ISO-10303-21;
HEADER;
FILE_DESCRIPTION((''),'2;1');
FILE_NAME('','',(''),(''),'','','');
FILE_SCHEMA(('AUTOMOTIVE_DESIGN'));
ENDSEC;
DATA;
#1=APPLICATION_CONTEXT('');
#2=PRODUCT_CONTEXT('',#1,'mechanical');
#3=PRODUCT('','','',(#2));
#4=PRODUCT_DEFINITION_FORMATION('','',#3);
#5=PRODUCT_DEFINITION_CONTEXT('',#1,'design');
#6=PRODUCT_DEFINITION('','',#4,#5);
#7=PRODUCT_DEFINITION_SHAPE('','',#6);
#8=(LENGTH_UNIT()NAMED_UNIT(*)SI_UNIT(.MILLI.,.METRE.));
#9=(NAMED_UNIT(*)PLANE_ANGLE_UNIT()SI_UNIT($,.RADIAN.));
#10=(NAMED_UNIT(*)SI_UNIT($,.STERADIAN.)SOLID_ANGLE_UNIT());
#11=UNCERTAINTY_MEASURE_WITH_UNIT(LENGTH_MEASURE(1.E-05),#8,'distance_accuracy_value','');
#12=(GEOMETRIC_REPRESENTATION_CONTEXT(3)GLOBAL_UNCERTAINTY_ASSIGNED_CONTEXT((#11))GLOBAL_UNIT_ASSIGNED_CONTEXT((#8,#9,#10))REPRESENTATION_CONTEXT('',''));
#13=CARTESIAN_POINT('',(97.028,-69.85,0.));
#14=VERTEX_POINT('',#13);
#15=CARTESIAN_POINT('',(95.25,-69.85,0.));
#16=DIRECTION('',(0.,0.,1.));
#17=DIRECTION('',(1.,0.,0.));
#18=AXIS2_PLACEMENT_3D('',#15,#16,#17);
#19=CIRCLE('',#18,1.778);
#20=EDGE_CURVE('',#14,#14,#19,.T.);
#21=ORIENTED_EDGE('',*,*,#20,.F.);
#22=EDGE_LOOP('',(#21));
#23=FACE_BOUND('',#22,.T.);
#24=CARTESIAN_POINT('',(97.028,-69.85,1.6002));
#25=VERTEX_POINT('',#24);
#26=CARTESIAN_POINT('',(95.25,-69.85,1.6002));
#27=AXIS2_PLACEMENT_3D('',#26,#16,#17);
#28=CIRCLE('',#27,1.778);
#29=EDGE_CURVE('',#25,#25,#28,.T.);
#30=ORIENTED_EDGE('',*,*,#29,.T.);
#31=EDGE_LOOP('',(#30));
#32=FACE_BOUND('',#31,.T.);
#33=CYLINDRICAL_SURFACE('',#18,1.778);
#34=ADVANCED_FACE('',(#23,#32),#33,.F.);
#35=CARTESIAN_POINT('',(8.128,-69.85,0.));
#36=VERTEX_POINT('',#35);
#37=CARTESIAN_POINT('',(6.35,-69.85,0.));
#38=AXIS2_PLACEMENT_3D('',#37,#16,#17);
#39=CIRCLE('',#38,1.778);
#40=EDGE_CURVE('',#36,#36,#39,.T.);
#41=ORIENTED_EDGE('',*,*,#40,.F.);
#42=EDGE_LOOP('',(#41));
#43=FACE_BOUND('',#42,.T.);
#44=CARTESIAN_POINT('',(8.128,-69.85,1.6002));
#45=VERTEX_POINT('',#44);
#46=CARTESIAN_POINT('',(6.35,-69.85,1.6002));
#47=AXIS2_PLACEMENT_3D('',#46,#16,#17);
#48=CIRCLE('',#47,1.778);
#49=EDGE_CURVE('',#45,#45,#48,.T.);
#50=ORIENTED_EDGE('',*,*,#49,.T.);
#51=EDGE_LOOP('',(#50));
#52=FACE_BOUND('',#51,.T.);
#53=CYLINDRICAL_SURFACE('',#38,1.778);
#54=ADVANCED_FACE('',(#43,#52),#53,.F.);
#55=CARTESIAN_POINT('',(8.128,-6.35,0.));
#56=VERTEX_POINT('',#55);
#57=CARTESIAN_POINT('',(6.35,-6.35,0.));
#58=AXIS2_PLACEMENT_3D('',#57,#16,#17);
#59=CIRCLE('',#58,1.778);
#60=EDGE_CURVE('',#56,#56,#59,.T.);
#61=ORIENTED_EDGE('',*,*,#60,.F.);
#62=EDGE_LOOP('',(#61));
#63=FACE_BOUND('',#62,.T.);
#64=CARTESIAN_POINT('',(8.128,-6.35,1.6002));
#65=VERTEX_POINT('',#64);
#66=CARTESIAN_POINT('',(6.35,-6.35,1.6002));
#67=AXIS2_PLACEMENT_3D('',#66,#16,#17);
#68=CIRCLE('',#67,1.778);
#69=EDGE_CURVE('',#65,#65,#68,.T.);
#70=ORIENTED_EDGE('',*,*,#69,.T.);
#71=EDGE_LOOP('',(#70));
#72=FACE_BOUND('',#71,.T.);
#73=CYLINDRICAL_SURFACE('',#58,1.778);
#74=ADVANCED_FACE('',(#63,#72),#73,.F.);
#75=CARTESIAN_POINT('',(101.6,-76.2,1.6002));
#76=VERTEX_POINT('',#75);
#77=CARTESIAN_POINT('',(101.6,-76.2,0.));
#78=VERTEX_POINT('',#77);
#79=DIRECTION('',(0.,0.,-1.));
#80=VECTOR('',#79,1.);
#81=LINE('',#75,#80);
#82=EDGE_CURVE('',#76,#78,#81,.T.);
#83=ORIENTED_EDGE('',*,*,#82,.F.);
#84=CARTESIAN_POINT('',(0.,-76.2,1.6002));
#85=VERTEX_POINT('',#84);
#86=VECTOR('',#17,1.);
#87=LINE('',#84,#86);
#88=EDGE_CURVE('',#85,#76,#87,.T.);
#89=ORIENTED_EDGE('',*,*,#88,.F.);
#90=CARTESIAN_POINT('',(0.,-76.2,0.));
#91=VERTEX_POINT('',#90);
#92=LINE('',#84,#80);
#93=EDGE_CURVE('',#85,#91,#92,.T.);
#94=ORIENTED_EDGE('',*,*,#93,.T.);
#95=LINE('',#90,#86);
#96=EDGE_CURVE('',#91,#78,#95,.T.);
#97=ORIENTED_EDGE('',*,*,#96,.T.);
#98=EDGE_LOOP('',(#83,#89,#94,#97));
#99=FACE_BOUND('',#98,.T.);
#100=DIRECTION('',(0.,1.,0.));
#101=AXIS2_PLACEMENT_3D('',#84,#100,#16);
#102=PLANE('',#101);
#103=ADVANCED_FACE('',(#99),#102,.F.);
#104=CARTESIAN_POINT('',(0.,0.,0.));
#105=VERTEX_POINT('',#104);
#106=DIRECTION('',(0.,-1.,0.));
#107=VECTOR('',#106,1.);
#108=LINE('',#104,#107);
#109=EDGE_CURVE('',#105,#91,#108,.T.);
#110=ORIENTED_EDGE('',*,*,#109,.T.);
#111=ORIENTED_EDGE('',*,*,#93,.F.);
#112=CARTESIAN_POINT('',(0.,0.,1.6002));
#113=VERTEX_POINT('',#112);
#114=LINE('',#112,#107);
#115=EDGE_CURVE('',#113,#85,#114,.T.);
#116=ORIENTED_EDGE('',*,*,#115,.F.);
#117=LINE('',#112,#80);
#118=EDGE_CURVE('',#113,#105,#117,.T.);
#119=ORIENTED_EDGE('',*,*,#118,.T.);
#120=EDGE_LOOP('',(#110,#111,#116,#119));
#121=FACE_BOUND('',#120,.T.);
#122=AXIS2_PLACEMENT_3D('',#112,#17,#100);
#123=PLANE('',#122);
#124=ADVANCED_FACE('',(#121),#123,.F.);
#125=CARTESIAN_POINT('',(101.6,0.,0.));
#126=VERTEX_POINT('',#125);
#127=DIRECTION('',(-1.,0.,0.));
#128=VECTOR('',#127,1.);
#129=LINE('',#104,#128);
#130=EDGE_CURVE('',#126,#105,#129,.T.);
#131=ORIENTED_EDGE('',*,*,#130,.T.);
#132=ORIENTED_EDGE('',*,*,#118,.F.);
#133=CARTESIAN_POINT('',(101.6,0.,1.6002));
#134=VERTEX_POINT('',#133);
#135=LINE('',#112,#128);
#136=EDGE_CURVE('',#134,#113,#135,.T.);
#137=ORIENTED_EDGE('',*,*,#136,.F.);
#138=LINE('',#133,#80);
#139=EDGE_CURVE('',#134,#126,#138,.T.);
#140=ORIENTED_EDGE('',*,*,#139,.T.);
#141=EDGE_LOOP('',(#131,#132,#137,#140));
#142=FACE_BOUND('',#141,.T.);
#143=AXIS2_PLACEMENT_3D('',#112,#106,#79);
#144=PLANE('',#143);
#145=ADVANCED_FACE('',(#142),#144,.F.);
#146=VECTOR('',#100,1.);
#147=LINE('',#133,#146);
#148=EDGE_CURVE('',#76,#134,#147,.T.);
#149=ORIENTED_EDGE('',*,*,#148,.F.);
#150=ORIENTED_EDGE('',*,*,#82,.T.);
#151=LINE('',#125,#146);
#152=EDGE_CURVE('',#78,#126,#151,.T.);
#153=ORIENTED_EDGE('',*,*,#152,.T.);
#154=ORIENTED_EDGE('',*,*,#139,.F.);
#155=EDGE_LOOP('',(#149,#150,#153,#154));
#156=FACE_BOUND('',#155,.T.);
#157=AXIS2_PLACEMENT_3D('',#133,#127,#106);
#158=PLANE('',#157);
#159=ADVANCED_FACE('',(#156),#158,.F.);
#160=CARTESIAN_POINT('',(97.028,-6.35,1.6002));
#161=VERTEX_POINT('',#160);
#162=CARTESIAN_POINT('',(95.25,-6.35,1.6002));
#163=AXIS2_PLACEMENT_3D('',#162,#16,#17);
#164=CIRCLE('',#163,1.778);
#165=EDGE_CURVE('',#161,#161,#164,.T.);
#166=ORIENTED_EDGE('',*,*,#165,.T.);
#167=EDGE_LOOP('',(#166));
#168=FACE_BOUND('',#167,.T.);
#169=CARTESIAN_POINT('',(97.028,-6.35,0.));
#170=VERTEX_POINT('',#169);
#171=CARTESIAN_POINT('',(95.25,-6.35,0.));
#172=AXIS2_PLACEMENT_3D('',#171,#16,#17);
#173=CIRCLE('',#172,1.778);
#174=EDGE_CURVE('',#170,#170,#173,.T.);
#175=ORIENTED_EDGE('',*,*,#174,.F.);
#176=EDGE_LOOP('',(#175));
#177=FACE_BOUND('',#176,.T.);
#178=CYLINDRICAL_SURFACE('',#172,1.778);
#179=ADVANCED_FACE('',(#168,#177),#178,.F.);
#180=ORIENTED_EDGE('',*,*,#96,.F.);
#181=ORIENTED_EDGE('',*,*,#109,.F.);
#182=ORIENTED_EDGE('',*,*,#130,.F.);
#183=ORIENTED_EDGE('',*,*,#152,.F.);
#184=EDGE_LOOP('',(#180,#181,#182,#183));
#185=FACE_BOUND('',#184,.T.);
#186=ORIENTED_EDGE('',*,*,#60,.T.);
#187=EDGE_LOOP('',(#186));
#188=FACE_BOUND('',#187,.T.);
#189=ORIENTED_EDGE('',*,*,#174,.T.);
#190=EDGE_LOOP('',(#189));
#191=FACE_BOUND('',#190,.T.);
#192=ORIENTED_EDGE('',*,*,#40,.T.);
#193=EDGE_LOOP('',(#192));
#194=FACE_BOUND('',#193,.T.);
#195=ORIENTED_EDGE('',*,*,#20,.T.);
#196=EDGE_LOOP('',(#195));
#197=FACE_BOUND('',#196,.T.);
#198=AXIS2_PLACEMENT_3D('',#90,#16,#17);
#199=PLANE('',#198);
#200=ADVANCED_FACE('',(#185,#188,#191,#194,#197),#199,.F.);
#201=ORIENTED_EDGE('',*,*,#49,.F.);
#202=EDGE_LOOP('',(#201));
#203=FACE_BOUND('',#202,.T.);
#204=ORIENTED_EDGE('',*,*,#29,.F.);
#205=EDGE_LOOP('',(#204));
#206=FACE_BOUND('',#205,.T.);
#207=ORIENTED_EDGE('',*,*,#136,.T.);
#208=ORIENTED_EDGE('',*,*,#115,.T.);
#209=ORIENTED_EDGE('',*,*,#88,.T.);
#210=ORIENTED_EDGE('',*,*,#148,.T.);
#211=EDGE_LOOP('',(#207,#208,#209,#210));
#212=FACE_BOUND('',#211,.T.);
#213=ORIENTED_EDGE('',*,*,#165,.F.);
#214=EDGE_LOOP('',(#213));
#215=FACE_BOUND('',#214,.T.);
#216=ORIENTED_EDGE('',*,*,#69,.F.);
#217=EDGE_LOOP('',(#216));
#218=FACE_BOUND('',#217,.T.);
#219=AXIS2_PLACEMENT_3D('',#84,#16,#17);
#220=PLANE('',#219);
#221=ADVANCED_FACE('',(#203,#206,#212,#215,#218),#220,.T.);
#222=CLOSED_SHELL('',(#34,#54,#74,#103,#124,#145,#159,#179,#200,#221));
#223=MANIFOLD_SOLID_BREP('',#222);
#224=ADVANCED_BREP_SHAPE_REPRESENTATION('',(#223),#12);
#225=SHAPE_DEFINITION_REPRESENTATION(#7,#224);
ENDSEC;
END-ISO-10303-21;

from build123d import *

# Parameters (mm, degrees)
SKETCH1_W            = 101.6
SKETCH1_H            = 76.2
EXTRUDE1_DEPTH       = 1.6002
SKETCH2_R            = 1.778
CUT_EXTRUDE1_DEPTH   = 1.6002
LPATTERN1_COUNT      = 2
LPATTERN1_PITCH      = 63.5
LPATTERN1_COUNT_DIR2 = 2
LPATTERN1_PITCH_DIR2 = 88.9


with BuildPart() as part:
    # Sketch1 → Extrude1 (new body)
    with BuildSketch(Plane.XY):
        with Locations((50.8, -38.1)):
            Rectangle(SKETCH1_W, SKETCH1_H)
    extrude(amount=EXTRUDE1_DEPTH)

    # Sketch2 → Cut-Extrude1 (cut)
    with BuildSketch(Plane.XY.offset(1.6002)):
        with Locations((6.35, -69.85)):
            Circle(SKETCH2_R)
    cut_extrude1 = extrude(amount=-CUT_EXTRUDE1_DEPTH, mode=Mode.SUBTRACT)

    # LPattern1: Cut-Extrude1 2 × 2
    with Locations(*[(j * LPATTERN1_PITCH_DIR2, i * LPATTERN1_PITCH, 0) for i in range(LPATTERN1_COUNT) for j in range(LPATTERN1_COUNT_DIR2) if (i, j) != (0, 0)]):
        add(cut_extrude1, mode=Mode.SUBTRACT)


solid = part.part
